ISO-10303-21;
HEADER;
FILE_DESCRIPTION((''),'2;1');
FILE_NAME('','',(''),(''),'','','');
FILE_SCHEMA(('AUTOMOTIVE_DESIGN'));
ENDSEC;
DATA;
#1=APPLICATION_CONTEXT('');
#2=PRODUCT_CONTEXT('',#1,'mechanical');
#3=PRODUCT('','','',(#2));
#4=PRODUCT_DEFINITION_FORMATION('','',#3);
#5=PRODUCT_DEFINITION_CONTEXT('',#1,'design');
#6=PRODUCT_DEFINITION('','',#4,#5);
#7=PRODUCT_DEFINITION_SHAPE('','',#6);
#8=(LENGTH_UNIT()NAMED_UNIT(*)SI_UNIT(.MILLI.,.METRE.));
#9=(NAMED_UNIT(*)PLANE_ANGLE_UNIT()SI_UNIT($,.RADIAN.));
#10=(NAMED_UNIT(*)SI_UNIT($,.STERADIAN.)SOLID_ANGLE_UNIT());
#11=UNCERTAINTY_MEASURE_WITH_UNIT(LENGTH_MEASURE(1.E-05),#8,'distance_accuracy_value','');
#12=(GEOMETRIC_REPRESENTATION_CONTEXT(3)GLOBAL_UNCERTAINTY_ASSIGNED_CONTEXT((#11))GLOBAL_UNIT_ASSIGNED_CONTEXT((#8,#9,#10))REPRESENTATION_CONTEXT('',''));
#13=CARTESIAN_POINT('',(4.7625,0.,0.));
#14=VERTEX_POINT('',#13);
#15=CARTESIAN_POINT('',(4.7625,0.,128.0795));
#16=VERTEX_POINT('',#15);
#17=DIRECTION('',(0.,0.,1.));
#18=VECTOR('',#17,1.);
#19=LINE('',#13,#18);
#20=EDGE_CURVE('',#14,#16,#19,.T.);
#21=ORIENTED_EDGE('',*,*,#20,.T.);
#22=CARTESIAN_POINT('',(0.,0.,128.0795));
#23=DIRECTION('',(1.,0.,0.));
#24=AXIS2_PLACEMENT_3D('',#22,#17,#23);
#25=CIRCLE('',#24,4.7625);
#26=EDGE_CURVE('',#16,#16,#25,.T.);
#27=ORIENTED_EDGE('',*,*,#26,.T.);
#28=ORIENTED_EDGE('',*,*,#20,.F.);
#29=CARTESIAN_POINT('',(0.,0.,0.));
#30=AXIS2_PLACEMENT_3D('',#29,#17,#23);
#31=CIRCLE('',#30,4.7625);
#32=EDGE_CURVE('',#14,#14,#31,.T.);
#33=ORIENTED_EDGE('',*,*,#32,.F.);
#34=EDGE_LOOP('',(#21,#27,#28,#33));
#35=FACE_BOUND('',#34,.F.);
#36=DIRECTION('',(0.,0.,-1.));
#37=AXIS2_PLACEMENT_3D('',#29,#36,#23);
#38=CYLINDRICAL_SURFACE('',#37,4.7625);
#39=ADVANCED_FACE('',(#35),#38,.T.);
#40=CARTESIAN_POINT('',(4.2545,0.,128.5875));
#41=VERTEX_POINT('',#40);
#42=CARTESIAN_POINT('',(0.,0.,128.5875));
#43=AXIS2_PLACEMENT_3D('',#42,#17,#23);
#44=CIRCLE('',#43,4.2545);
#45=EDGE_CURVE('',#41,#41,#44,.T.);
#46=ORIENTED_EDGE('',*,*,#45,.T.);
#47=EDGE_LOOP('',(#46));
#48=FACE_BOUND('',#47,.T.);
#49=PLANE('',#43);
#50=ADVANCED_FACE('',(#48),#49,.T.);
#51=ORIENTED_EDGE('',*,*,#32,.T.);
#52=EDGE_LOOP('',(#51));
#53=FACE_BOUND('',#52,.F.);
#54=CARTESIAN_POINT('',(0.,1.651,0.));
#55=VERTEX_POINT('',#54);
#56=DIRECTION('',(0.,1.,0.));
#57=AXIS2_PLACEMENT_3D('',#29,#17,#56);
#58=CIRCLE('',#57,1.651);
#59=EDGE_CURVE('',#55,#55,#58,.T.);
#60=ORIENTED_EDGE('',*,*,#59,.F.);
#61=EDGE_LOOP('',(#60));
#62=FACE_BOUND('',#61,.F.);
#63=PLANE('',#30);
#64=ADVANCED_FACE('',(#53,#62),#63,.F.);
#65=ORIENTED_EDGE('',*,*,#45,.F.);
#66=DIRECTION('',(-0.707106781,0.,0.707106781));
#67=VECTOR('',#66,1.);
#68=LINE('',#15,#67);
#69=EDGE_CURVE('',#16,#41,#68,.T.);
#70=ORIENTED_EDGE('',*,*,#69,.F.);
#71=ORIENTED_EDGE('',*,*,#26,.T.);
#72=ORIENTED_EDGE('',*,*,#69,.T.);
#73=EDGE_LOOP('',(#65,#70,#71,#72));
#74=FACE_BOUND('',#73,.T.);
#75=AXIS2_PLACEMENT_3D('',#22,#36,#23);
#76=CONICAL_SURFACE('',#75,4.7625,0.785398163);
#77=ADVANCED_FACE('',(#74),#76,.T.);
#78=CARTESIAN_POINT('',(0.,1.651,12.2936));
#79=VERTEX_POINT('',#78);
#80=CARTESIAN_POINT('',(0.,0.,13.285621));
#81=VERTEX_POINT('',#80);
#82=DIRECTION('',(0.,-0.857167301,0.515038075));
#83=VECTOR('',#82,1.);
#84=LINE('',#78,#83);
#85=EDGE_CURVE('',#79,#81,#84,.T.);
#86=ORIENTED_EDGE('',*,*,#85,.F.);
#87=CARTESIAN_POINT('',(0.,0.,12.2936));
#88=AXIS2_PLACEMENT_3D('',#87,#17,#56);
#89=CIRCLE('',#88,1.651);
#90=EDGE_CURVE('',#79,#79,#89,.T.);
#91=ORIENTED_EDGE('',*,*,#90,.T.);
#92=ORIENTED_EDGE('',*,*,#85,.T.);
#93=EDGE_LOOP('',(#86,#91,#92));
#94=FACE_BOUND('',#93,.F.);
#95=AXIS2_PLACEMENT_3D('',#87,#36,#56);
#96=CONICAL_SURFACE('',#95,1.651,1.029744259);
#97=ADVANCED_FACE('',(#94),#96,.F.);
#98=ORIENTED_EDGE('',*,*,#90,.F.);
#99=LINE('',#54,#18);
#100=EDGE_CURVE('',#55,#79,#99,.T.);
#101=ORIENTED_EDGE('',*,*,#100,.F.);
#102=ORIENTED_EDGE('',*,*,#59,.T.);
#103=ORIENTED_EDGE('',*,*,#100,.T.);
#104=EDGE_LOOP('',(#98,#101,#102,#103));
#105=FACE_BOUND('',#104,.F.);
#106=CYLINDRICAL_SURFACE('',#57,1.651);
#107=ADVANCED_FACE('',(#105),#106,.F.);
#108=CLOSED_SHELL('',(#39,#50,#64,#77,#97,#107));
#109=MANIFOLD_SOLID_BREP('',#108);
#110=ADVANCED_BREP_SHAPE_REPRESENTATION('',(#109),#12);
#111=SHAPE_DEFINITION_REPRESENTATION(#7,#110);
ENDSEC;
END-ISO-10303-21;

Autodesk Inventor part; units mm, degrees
ref_plane "YZ Plane" through (0, 0, 0) normal (1, 0, 0) x (0, 1, 0)
ref_plane "XZ Plane" through (0, 0, 0) normal (0, 1, 0) x (-1, 0, 0)
ref_plane "XY Plane" through (0, 0, 0) normal (0, 0, 1) x (1, 0, 0)
sketch "Sketch1" plane through (0, 0, 0) normal (0, 0, 1) x (1, 0, 0)
  circle A0 centre (0, 0) radius 4.7625
  dimension "d0" = 9.525
extrude "Extrusion1" add sketch "Sketch1" along normal blind 128.5875
sketch "Sketch2" plane through (0, 0, 0) normal (0, 0, -1) x (-1, 0, 0)
  point P0 (0, 0)
  point P1 (0, 0)
hole "Hole1" at (0, 0, 0) direction (0, 0, 1) diameter 3.302 depth 12.2936 tip angle 118 thread size "8-32 UNC" class "2B" standard "ANSI Unified Screw Threads"
chamfer "Chamfer1" distance 0.508 angle 45 1 edges at (-4.7625, 0, 128.5875)
properties part number "post"
